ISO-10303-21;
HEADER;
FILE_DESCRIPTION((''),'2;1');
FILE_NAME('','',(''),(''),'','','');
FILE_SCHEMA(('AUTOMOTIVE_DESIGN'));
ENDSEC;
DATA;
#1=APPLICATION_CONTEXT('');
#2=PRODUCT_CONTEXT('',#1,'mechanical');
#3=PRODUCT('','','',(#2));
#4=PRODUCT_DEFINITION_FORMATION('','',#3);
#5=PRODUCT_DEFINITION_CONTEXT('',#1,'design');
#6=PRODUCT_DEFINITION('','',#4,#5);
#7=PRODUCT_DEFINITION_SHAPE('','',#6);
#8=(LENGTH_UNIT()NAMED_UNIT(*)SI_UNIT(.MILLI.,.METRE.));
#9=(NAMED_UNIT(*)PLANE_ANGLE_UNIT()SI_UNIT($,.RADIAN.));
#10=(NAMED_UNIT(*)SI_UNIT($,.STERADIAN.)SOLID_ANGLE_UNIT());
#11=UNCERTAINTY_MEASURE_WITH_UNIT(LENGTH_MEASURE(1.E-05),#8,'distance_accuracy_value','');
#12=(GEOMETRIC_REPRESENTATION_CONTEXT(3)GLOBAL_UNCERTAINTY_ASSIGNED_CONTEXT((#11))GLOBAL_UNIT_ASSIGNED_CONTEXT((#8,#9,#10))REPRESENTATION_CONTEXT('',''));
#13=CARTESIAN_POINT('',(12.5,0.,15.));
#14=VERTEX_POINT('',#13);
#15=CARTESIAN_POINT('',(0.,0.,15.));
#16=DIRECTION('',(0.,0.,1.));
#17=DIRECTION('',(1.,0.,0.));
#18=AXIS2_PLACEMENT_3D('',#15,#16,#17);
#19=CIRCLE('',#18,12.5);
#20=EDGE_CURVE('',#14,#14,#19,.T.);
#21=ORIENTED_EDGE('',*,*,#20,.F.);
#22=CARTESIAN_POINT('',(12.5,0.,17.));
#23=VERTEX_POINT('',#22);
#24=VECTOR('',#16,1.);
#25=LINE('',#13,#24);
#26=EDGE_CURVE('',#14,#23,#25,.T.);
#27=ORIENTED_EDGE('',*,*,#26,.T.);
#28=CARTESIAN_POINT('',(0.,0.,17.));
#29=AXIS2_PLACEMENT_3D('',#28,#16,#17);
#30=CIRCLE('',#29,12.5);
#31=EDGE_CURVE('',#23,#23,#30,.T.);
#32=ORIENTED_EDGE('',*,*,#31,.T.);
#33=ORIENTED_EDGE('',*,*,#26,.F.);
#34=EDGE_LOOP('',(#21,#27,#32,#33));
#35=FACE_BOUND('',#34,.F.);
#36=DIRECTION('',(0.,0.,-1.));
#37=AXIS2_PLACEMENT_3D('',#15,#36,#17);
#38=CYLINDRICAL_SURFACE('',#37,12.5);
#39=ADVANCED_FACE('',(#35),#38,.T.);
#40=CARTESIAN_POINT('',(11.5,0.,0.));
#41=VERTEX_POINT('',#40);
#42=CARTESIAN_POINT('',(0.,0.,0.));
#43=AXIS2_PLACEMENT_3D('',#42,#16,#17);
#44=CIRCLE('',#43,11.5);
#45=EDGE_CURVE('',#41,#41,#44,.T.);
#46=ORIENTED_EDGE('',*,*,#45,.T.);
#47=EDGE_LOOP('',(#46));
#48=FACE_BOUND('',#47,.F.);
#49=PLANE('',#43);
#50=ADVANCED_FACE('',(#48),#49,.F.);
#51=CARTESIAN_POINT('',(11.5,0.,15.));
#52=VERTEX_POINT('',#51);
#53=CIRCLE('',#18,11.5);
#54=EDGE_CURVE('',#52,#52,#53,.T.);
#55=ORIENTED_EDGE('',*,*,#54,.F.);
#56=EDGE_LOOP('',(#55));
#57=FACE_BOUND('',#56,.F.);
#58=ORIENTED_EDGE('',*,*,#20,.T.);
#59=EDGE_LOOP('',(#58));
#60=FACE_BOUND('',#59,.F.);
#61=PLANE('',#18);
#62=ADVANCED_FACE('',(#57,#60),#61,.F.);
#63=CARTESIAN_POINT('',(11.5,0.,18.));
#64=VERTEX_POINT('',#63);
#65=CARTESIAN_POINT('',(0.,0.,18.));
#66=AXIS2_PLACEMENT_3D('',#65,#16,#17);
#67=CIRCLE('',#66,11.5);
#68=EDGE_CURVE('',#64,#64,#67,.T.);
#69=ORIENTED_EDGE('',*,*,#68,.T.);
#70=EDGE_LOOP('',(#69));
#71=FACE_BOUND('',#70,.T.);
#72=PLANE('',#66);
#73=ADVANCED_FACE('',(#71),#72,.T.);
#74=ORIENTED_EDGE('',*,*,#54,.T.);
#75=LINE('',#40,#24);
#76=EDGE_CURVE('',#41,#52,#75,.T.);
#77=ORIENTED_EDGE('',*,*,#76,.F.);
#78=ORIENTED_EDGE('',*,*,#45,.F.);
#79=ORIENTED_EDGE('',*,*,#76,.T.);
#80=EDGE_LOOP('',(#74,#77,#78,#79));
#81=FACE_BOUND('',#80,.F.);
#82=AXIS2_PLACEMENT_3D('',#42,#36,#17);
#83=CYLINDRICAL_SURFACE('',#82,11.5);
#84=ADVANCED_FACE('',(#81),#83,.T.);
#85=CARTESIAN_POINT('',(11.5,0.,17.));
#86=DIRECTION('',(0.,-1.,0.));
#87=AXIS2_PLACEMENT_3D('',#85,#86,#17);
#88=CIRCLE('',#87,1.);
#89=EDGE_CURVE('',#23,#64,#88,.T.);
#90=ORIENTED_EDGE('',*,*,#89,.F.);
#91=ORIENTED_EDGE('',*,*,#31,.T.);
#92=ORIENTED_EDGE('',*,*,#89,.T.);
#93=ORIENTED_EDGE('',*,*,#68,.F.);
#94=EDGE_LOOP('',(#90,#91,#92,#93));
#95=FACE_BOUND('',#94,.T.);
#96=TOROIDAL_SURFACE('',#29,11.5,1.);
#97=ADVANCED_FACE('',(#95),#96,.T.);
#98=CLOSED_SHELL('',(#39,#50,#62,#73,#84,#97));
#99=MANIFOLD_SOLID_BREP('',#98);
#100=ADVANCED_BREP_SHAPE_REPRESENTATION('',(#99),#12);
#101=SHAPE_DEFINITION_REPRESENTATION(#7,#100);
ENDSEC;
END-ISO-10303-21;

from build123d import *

# Parameters (mm, degrees)
SKETCH_R     = 11.5
PAD_DEPTH    = 15
SKETCH001_R  = 12.5
PAD001_DEPTH = 3
FILLET_R     = 1


with BuildPart() as part:
    # Sketch → Pad (new body)
    with BuildSketch(Plane.XY):
        Circle(SKETCH_R)
    extrude(amount=PAD_DEPTH)

    # Sketch001 (on DatumPlane) → Pad001 (join)
    with BuildSketch(Plane.XY.offset(15)):
        Circle(SKETCH001_R)
    extrude(amount=PAD001_DEPTH)

    # Fillet
    fillet_edges = [part.edges().sort_by_distance(p)[0] for p in [
        (-12.5, 0, 18),
    ]]
    fillet(fillet_edges, radius=FILLET_R)


solid = part.part
